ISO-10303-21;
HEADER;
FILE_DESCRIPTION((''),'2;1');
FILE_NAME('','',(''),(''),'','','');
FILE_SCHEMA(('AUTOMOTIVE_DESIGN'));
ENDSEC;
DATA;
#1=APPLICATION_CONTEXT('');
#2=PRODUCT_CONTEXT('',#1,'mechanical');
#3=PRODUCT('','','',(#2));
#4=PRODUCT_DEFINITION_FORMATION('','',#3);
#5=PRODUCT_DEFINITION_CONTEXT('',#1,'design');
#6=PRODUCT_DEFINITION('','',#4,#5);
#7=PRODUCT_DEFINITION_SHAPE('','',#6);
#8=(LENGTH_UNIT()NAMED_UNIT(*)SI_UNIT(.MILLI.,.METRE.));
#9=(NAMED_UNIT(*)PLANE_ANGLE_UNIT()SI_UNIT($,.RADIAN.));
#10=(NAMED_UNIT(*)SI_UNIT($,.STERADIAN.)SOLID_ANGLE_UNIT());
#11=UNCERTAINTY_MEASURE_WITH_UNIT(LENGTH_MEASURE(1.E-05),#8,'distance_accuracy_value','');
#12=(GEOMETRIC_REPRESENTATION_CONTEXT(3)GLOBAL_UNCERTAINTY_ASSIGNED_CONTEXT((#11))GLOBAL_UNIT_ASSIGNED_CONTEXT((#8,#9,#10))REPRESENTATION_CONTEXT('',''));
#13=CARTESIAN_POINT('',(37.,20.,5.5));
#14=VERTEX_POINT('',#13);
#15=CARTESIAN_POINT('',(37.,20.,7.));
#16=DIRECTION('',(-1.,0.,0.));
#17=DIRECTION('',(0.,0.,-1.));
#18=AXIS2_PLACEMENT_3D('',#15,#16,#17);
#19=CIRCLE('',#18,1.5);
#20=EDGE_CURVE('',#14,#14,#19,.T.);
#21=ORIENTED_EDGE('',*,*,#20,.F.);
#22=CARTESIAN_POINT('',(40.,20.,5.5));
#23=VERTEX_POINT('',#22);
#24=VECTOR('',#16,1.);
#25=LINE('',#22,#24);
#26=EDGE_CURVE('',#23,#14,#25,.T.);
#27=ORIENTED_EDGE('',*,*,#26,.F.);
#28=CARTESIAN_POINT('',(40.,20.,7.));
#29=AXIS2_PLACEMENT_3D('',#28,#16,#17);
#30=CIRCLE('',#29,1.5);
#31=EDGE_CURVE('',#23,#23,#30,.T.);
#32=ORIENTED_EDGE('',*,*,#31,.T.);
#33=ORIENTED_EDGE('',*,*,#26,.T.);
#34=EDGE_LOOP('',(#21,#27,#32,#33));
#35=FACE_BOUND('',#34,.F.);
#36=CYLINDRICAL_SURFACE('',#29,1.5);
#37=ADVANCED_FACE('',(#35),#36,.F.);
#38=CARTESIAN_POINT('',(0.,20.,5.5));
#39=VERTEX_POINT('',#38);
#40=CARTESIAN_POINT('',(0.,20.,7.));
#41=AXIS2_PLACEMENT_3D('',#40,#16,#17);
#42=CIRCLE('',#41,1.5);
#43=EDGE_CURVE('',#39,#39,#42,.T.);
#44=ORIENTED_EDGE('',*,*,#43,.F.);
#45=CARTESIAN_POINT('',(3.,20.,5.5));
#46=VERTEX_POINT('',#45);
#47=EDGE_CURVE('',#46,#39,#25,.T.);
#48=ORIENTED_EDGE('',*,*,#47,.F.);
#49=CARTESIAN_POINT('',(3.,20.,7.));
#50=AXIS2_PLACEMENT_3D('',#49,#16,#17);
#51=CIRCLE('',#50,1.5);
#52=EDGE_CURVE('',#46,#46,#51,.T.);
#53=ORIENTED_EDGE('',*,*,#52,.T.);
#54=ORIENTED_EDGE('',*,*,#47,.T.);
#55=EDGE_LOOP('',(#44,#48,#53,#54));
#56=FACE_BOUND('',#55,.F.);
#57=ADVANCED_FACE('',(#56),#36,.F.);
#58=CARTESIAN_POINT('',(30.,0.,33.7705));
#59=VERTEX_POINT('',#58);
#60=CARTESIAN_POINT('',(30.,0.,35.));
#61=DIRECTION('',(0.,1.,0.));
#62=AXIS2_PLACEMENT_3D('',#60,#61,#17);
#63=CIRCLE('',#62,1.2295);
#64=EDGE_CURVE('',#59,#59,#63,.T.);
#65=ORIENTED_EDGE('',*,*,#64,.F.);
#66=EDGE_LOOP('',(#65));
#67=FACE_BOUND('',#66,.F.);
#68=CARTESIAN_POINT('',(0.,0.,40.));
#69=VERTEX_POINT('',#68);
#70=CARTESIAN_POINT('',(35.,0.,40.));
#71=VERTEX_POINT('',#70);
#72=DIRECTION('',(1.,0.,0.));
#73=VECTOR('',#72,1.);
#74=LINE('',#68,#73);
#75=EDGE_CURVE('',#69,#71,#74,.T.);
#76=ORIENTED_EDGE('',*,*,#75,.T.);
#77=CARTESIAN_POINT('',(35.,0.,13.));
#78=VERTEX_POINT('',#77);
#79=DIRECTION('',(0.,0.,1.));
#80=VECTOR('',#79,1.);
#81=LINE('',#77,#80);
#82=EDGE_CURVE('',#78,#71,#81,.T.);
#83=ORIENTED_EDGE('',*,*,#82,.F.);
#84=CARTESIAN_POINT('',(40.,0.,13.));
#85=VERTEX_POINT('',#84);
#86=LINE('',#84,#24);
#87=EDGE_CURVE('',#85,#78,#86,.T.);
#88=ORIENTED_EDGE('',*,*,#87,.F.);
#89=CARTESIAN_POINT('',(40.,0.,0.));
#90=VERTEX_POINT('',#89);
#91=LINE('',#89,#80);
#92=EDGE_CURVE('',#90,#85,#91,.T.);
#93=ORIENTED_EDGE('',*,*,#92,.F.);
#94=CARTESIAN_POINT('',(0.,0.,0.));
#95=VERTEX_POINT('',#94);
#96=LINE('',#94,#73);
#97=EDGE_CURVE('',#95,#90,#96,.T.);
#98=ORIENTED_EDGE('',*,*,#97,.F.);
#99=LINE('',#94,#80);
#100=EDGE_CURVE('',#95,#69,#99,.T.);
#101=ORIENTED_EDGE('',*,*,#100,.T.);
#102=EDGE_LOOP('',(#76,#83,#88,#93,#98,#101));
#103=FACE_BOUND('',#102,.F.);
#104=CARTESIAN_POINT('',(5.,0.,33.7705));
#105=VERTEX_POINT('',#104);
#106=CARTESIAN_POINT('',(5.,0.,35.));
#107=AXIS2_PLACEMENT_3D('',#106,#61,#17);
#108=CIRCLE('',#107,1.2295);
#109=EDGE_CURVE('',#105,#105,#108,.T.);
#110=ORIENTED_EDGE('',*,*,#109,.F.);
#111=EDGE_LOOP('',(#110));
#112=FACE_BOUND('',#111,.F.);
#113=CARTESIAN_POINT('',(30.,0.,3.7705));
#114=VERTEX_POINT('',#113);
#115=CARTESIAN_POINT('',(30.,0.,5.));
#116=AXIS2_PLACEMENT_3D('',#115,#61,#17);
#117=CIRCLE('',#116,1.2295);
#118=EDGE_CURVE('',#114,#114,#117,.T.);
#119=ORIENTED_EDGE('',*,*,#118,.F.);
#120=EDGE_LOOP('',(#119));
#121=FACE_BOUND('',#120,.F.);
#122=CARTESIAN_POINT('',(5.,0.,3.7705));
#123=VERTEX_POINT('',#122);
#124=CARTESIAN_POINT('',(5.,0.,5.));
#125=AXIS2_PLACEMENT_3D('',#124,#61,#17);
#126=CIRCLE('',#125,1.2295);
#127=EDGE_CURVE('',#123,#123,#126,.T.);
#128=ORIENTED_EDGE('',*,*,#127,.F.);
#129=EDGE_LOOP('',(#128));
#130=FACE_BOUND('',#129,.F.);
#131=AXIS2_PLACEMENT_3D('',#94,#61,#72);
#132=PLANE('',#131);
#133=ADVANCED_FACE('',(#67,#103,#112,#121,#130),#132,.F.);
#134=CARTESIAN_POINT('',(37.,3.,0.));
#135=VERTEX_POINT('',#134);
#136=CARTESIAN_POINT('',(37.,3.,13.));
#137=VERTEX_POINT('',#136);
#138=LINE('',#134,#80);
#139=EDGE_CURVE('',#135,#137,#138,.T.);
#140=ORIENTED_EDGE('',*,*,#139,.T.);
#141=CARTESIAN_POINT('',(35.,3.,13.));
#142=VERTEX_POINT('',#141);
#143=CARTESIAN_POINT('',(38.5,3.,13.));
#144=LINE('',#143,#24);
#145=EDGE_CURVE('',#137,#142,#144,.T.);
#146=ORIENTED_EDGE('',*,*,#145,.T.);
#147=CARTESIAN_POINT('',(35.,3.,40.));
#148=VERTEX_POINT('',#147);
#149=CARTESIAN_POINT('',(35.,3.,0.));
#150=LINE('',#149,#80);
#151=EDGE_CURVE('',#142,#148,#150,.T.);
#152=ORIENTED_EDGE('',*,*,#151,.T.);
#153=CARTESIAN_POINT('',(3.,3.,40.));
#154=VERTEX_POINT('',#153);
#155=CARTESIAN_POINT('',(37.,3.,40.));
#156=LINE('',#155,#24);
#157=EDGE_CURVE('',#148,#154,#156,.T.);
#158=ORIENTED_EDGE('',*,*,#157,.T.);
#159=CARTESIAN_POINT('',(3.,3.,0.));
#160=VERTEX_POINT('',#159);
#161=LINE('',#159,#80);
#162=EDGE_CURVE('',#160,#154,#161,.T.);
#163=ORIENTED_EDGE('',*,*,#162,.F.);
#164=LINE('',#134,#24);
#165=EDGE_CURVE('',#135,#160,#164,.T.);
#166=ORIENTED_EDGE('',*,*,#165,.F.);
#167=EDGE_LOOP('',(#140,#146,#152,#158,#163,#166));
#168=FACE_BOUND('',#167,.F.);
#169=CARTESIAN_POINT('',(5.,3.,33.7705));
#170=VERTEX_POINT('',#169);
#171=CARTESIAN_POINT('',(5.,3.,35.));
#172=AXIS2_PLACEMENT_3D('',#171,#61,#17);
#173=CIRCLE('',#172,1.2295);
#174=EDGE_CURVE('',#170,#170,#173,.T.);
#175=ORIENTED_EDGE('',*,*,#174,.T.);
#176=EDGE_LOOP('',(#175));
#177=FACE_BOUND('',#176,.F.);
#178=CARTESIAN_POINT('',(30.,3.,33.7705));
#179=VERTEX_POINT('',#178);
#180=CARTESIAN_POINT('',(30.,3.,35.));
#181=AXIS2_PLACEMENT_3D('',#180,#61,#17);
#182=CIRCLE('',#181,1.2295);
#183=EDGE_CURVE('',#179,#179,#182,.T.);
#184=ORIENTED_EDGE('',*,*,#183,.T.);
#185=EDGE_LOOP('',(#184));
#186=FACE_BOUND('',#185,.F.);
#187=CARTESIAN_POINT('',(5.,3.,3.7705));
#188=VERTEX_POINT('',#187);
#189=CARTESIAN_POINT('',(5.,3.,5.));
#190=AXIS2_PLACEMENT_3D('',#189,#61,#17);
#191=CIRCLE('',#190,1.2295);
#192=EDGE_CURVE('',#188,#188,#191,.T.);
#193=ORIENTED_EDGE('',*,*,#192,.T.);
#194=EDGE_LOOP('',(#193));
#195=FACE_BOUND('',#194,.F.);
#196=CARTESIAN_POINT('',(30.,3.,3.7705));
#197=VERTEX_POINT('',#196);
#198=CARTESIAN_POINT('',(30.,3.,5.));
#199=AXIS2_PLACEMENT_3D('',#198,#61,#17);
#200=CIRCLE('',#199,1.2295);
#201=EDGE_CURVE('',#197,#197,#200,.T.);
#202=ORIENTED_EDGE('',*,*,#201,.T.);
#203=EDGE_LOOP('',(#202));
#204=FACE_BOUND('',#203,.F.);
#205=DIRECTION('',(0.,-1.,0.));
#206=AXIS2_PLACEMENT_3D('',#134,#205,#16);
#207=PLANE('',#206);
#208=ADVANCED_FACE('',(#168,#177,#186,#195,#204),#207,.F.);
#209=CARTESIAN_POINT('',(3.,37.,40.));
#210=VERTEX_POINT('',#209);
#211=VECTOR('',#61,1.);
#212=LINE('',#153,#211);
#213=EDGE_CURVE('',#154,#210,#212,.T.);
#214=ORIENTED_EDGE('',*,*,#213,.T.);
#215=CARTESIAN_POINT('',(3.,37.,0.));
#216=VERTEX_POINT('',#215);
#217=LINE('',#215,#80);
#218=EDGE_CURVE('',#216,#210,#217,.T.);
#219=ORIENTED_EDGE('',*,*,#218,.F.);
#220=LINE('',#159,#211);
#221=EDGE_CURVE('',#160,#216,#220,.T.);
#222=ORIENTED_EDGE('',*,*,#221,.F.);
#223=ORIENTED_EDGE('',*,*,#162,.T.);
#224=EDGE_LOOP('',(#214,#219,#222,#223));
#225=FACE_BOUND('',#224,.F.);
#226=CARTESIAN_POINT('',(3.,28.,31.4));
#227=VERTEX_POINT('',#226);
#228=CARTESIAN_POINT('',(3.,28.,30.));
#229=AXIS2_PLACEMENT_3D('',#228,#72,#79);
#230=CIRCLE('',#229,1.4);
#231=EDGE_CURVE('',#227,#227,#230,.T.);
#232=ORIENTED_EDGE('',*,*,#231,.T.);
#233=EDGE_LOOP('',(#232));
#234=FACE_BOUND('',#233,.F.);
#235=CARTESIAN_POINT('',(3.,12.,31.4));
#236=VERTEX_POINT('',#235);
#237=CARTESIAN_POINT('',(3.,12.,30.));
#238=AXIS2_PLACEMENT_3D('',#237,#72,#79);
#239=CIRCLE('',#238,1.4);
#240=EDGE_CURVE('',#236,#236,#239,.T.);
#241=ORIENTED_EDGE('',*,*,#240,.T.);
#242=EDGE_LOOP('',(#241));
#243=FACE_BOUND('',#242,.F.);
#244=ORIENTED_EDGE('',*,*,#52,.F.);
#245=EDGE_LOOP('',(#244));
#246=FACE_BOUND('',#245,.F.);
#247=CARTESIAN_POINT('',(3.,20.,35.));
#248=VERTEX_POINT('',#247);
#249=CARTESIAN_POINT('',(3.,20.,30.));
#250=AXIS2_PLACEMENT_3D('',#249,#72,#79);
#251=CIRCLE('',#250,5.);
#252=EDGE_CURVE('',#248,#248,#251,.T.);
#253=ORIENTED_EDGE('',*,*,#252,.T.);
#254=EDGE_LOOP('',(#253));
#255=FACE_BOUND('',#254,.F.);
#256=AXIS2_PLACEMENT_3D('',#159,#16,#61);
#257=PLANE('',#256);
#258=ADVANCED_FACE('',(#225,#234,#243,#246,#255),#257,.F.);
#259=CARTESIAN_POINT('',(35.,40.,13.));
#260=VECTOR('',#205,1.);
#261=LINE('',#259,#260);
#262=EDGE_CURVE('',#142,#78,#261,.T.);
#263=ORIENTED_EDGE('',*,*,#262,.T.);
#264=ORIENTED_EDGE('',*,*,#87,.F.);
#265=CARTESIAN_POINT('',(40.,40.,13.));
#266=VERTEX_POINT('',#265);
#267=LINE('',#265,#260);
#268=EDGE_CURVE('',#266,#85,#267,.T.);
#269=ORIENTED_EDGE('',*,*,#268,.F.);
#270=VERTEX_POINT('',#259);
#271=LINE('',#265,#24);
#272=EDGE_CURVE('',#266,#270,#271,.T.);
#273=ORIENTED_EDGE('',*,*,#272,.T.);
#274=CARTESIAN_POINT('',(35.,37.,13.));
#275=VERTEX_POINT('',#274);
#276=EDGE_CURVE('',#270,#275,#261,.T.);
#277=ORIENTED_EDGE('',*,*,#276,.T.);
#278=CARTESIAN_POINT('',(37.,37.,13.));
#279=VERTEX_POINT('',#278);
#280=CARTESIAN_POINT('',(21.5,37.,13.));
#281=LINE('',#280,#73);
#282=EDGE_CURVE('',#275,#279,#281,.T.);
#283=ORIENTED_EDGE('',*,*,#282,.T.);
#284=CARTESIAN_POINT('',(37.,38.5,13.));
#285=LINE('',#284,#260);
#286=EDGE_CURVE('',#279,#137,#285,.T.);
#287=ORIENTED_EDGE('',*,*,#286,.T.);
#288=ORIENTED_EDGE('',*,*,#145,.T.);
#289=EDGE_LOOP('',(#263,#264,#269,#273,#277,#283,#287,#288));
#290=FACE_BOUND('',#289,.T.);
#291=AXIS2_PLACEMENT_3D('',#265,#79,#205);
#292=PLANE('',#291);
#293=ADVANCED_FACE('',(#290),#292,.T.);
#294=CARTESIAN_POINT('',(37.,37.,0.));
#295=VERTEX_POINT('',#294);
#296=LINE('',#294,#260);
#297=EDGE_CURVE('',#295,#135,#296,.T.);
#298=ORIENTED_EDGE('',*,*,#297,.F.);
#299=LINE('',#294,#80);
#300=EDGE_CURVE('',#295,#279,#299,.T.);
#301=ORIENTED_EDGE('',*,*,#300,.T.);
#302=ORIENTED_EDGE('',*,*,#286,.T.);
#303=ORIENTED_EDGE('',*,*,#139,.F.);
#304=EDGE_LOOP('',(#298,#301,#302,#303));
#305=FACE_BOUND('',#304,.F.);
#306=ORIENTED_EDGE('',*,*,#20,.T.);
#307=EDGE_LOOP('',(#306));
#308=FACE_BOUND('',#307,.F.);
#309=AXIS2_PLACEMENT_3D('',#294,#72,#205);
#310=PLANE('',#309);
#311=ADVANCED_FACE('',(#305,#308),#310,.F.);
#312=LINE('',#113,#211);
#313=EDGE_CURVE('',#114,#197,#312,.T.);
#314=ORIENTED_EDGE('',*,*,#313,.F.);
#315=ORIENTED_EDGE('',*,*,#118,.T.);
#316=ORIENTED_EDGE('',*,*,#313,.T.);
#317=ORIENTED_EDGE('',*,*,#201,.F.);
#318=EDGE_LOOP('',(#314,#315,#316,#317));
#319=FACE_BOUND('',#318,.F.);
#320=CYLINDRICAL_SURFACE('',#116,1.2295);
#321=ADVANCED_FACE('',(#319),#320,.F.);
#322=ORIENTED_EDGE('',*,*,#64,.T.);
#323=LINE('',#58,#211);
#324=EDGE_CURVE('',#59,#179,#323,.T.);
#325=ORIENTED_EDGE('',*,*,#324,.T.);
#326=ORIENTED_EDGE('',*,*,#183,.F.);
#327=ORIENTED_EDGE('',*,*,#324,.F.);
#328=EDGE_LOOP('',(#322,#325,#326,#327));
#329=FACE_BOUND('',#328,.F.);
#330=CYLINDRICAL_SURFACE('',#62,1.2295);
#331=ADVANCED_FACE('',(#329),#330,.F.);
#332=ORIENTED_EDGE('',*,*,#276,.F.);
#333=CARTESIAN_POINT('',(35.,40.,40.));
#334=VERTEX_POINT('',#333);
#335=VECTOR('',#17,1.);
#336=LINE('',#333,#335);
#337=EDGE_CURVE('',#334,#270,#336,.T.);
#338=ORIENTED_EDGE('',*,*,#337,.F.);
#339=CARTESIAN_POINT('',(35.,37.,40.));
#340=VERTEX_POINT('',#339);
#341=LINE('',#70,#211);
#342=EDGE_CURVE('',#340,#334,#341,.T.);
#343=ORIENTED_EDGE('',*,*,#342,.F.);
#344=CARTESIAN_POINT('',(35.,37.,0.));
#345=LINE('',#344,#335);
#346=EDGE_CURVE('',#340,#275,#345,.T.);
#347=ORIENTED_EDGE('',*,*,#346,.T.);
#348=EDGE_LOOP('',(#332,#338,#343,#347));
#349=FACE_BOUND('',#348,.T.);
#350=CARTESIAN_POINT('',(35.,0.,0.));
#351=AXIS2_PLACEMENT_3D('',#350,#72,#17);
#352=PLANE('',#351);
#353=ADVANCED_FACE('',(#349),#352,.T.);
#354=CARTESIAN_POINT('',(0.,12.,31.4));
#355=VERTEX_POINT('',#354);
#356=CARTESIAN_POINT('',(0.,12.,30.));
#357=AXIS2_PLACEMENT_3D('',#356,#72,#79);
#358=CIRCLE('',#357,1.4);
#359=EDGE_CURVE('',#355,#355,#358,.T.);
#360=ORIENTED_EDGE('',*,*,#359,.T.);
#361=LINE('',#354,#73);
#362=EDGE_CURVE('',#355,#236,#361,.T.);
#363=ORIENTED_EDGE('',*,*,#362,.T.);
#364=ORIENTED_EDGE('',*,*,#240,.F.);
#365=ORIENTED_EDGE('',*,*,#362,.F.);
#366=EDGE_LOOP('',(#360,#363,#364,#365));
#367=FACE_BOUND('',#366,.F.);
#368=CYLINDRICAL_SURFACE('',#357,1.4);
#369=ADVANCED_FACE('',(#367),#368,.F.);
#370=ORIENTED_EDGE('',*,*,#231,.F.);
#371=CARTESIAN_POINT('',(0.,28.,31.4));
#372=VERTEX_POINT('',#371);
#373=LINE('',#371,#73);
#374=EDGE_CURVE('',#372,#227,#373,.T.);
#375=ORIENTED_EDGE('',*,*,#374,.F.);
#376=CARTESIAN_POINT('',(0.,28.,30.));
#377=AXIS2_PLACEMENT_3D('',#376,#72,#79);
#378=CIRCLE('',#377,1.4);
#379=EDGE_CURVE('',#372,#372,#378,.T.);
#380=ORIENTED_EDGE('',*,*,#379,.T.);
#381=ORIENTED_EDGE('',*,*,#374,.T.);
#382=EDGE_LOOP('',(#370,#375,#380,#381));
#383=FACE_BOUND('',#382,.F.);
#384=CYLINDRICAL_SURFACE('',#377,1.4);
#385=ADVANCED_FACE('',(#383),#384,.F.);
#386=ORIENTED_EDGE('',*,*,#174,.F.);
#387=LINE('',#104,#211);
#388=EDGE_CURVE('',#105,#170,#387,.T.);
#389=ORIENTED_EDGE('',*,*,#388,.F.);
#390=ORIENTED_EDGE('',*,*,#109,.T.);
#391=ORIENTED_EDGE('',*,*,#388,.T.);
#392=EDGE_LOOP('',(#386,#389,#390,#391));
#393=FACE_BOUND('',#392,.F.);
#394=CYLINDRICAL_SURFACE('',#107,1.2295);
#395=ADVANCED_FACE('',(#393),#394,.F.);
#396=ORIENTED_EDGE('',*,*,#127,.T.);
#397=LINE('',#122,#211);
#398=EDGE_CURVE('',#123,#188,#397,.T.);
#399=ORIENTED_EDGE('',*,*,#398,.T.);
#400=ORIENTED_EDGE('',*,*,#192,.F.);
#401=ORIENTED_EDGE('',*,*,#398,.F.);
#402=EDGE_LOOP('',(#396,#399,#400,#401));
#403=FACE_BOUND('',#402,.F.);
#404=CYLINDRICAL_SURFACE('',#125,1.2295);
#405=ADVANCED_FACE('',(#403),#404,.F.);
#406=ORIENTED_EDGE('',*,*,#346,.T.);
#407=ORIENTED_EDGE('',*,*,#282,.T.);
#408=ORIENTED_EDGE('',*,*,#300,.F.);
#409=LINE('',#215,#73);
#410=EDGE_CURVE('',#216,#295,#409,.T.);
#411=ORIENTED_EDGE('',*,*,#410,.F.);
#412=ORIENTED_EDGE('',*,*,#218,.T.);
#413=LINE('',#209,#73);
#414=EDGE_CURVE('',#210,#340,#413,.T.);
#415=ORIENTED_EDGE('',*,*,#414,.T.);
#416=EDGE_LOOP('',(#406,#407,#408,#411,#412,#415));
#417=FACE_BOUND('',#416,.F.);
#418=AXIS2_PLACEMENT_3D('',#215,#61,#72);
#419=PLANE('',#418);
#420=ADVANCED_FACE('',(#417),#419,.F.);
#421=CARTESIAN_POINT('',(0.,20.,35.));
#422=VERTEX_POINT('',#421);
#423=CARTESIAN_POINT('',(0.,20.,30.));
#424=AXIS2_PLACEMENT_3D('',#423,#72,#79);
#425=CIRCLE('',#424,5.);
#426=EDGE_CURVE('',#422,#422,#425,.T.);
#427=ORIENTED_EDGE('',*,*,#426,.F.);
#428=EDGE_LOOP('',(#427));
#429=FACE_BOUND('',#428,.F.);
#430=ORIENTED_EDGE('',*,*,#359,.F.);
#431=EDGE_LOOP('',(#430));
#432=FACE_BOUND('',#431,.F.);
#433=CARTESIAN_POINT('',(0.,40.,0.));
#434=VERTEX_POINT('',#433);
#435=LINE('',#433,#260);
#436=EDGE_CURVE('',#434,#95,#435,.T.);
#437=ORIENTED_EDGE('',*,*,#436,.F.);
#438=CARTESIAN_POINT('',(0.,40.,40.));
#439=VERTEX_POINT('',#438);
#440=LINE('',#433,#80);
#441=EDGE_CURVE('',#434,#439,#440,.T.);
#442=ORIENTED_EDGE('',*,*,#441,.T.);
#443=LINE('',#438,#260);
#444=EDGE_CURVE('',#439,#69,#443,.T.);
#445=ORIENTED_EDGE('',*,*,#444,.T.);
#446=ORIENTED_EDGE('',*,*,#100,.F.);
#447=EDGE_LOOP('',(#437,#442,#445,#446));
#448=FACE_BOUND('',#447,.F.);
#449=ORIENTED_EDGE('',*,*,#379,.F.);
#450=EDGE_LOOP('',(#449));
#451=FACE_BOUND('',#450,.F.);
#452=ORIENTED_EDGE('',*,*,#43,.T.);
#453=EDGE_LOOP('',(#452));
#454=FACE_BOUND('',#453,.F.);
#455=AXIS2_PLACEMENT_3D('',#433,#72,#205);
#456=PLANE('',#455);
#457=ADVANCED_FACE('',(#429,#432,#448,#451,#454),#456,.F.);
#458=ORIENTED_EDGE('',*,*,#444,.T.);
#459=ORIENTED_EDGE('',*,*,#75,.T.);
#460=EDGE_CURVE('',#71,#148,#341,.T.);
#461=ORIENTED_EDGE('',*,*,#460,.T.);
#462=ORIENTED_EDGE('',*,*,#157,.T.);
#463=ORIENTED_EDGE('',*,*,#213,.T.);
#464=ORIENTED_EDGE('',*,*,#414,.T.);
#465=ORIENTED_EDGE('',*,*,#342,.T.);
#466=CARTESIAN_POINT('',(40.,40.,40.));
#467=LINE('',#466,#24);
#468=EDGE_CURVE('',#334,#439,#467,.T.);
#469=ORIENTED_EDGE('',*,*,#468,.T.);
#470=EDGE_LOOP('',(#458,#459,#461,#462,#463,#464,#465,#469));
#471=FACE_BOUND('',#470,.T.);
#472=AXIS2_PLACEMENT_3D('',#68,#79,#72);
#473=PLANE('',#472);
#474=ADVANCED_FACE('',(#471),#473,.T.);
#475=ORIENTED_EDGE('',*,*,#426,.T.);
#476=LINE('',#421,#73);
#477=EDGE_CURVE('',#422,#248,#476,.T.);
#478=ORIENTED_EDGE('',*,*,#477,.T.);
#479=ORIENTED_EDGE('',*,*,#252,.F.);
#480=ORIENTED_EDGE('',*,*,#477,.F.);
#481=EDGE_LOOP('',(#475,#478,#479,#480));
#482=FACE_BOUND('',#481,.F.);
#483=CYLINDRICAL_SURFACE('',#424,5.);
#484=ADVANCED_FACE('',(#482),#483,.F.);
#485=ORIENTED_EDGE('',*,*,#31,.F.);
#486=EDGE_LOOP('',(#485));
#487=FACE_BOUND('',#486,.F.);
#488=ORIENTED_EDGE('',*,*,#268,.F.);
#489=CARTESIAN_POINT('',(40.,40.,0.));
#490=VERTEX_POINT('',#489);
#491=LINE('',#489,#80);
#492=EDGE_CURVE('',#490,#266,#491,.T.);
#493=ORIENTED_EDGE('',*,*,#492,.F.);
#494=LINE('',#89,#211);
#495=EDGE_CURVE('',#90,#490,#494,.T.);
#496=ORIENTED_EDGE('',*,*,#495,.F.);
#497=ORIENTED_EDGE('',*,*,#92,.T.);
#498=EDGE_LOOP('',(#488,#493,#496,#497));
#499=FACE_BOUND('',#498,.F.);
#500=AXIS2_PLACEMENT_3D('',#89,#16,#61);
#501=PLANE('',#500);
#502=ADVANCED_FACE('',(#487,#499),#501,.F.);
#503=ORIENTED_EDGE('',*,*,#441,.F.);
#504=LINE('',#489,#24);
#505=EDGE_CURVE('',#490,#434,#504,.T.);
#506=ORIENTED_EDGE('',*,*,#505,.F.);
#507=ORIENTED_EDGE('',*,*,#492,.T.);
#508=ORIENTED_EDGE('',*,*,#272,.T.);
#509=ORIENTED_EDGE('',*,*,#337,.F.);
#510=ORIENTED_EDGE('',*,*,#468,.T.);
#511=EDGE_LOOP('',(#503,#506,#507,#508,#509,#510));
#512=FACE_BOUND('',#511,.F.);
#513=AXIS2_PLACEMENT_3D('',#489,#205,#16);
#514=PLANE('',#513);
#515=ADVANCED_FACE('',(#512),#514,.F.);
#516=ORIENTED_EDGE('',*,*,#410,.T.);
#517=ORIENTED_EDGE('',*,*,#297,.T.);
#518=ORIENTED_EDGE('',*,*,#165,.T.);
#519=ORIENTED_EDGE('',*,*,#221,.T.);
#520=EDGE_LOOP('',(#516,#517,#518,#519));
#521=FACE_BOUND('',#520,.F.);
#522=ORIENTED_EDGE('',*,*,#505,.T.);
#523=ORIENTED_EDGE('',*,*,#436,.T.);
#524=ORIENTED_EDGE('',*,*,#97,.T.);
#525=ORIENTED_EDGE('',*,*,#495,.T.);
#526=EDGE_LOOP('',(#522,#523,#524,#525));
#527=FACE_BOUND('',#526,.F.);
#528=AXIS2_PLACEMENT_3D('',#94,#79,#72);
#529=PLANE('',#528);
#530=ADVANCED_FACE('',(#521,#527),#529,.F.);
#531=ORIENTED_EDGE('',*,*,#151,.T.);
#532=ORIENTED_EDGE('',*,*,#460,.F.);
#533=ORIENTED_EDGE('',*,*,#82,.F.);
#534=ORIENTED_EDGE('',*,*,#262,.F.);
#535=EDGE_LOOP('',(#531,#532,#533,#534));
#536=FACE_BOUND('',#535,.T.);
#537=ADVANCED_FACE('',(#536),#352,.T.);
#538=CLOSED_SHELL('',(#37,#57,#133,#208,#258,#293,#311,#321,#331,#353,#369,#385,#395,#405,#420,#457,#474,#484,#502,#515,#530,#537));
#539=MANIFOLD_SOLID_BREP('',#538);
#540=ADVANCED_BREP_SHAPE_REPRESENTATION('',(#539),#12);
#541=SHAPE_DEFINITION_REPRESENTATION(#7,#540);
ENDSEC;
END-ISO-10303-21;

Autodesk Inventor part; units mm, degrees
ref_plane "YZ Plane" through (0, 0, 0) normal (1, 0, 0) x (0, 1, 0)
ref_plane "XZ Plane" through (0, 0, 0) normal (0, 1, 0) x (-1, 0, 0)
ref_plane "XY Plane" through (0, 0, 0) normal (0, 0, 1) x (1, 0, 0)
sketch "スケッチ1" plane through (0, 0, 0) normal (0, 0, 1) x (1, 0, 0)
  line L0 (0, 0) -> (40, 0)
  line L1 (40, 0) -> (40, 40)
  line L2 (40, 40) -> (0, 40)
  line L3 (0, 40) -> (0, 0)
  line L4 (3, 37) -> (37, 37)
  line L5 (37, 37) -> (37, 3)
  line L6 (37, 3) -> (3, 3)
  line L7 (3, 3) -> (3, 37)
  dimension "d0" = 40
  dimension "d1" = 40
  dimension "d2" = 34
extrude "押し出し1" add sketch "スケッチ1" along normal blind 40
sketch "スケッチ2" plane through (40, 0, 0) normal (1, 0, 0) x (0, 0, -1)
  line L0 (-40, 40) -> (-13, 40)
  line L1 (-13, 40) -> (-13, 0)
  line L2 (-13, 0) -> (-40, 0)
  line L3 (-40, 0) -> (-40, 40)
  point P0 (0, 0)
  dimension "d5" = 27
extrude "押し出し2" cut sketch "スケッチ2" against normal blind 5
sketch "スケッチ3" plane through (40, 0, 0) normal (1, 0, 0) x (0, 0, -1)
  line L0 (-13, 3) -> (-13, 37) projected
  line L1 (0, 37) -> (0, 3) projected
  line L2 (-40, 3) -> (-40, 37) construction
  line L3 (-13, 20) -> (0, 20) construction
  point P0 (0, 0)
  point P1 (-7, 20)
  dimension "d9" = 33
hole "穴1" at (40, 20, 7) direction (-1, 0, 0) diameter 3 end through all
sketch "スケッチ4" plane through (0, 0, 0) normal (0, -1, 0) x (1, 0, 0)
  line L0 (0, 40) -> (35, 40) projected
  line L1 (0, 0) -> (0, 40) projected
  point P0 (5, 35)
  point P1 (5, 5)
  point P2 (30, 35)
  point P3 (30, 5)
  dimension "d17" = 5
  dimension "d18" = 5
  dimension "d21" = 30
  dimension "d24" = 25
hole "穴2" at (5, 0, 35) at (5, 0, 5) at (30, 0, 35) at (30, 0, 5) direction (0, 1, 0) diameter 2.459 depth 3 thread size "M3x0.5" class "6H" standard "ISO Metric profile"
sketch "スケッチ5" plane through (0, 0, 0) normal (-1, 0, 0) x (0, 0, 1)
  line L0 (40, 40) -> (40, 0) projected
  line L1 (40, 20) -> (0, 20) construction
  line L2 (0, 3) -> (0, 37) projected
  point P0 (0, 0)
  point P1 (30, 20)
  dimension "d34" = 10
hole "穴3" at (0, 20, 30) direction (1, 0, 0) diameter 10 end through all
sketch "スケッチ6" plane through (0, 0, 0) normal (-1, 0, 0) x (0, 0, 1)
  line L0 (40, 3) -> (40, 37) projected
  line L1 (40, 20) -> (0, 20) construction
  line L2 (0, 3) -> (0, 37) projected
  line L3 (0, 0) -> (40, 0) projected
  point P0 (30, 12)
  point P1 (30, 28)
  dimension "d42" = 10
  dimension "d43" = 12
hole "穴4" at (0, 12, 30) at (0, 28, 30) direction (1, 0, 0) diameter 2.8 end through all
properties part number "RD006"
